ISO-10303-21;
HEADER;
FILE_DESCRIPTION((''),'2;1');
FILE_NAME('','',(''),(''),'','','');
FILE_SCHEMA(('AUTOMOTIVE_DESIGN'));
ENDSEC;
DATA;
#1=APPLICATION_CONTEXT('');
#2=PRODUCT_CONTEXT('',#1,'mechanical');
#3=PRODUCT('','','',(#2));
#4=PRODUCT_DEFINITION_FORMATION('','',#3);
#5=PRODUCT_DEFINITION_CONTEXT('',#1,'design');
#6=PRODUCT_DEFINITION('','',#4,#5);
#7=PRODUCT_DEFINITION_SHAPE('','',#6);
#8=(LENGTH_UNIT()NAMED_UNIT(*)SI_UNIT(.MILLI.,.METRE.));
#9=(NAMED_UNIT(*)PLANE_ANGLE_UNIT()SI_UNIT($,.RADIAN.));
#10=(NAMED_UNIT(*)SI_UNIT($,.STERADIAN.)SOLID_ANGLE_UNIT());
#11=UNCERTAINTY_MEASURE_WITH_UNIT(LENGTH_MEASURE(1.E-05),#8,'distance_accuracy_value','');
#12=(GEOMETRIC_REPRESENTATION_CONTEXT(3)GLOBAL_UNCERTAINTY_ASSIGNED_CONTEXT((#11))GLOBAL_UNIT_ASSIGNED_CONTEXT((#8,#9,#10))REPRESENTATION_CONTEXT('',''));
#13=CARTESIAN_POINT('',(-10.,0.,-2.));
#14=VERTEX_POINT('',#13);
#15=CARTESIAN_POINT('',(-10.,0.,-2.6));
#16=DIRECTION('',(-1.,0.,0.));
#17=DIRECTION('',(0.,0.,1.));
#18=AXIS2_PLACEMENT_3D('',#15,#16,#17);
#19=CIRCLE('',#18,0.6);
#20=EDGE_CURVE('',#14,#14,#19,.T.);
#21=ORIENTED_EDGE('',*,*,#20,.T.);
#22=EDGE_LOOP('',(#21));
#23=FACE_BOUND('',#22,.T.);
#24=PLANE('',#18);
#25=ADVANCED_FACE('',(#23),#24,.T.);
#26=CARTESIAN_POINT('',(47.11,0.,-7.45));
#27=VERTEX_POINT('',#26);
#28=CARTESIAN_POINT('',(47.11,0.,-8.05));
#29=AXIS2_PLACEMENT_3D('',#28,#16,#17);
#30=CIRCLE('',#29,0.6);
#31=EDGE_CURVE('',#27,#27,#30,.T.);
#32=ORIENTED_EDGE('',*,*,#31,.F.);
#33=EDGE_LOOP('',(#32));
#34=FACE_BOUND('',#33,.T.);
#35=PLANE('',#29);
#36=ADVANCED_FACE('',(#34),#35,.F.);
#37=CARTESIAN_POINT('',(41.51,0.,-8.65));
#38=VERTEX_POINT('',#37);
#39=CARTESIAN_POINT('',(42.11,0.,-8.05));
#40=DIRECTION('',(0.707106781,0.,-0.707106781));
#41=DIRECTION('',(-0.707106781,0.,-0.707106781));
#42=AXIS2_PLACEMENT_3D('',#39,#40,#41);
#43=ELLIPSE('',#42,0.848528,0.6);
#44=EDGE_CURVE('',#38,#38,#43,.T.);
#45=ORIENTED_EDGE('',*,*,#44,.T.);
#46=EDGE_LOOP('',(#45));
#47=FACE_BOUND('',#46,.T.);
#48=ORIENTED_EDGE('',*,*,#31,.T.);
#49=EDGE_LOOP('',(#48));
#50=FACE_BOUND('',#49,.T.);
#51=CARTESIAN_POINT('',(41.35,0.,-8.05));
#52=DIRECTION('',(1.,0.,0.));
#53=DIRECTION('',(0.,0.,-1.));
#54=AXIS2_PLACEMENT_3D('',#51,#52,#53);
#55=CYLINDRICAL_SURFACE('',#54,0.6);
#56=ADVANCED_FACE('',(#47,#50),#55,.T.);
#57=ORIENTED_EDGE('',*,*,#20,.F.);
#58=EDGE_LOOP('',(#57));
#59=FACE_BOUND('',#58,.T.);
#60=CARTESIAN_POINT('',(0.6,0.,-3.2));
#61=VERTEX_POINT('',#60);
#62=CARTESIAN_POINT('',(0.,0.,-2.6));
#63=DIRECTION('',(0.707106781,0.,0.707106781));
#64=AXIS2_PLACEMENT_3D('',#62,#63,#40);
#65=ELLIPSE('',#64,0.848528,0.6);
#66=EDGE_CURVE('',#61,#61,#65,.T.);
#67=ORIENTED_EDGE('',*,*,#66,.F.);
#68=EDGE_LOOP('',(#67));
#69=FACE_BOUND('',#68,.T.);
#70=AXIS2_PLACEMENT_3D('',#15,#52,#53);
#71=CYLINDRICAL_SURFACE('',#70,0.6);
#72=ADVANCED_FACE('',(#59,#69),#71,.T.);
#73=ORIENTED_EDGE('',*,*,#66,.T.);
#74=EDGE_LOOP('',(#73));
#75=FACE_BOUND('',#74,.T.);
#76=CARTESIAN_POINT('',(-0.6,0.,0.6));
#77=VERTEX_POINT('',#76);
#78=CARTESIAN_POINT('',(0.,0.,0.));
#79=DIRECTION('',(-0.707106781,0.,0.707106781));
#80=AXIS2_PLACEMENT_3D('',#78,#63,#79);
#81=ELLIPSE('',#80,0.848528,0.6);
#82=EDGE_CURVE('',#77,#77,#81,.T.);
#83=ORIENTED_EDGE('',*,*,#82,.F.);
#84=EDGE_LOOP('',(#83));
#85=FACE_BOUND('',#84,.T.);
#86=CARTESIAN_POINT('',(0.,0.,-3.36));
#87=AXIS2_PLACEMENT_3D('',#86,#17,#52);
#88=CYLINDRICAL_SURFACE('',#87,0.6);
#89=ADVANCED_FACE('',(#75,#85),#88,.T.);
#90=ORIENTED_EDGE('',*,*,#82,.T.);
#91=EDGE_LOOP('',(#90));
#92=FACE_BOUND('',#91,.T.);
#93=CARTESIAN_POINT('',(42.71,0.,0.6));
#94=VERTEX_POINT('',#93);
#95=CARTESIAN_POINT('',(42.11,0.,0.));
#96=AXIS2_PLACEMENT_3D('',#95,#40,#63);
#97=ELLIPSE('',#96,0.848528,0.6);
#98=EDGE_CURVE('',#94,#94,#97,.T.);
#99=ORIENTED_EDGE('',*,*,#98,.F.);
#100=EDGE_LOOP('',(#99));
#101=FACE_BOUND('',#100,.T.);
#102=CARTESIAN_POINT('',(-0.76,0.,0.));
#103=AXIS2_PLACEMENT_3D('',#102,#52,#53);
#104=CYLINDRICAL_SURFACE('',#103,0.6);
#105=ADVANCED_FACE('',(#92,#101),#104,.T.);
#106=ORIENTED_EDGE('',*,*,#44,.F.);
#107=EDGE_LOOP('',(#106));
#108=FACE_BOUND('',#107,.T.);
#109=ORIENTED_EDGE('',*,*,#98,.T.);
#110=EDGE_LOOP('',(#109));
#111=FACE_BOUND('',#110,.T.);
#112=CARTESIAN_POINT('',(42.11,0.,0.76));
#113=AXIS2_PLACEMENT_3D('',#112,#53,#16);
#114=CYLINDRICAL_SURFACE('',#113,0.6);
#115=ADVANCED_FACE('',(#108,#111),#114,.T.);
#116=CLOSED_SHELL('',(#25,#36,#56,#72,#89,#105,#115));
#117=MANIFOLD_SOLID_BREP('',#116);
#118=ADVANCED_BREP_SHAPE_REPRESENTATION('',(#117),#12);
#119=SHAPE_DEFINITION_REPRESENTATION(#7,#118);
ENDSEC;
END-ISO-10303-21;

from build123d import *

# Parameters (mm, degrees)
SWEEP1_PROFILE_R = 0.6


with BuildPart() as part:
    # Sweep1: sweep along a path in Sketch1
    with BuildLine(Plane(origin=(0, 0, 0), x_dir=(1, 0, 0), z_dir=(0, 1, 0))) as sweep1_path:
        Line((-10, 2.6), (0, 2.6))
        Line((0, 2.6), (0, 0))
        Line((0, 0), (42.11, 0))
        Line((42.11, 0), (42.11, 8.05))
        Line((42.11, 8.05), (47.11, 8.05))
    # Sweep1 profile (on start of the path) → Sweep1 (sweep)
    with BuildSketch(Plane(origin=(-10, 0, -2.6), x_dir=(0, 0, 1), z_dir=(1, 0, 0))):
        Circle(SWEEP1_PROFILE_R)
    sweep(path=sweep1_path.line, transition=Transition.RIGHT)


solid = part.part
